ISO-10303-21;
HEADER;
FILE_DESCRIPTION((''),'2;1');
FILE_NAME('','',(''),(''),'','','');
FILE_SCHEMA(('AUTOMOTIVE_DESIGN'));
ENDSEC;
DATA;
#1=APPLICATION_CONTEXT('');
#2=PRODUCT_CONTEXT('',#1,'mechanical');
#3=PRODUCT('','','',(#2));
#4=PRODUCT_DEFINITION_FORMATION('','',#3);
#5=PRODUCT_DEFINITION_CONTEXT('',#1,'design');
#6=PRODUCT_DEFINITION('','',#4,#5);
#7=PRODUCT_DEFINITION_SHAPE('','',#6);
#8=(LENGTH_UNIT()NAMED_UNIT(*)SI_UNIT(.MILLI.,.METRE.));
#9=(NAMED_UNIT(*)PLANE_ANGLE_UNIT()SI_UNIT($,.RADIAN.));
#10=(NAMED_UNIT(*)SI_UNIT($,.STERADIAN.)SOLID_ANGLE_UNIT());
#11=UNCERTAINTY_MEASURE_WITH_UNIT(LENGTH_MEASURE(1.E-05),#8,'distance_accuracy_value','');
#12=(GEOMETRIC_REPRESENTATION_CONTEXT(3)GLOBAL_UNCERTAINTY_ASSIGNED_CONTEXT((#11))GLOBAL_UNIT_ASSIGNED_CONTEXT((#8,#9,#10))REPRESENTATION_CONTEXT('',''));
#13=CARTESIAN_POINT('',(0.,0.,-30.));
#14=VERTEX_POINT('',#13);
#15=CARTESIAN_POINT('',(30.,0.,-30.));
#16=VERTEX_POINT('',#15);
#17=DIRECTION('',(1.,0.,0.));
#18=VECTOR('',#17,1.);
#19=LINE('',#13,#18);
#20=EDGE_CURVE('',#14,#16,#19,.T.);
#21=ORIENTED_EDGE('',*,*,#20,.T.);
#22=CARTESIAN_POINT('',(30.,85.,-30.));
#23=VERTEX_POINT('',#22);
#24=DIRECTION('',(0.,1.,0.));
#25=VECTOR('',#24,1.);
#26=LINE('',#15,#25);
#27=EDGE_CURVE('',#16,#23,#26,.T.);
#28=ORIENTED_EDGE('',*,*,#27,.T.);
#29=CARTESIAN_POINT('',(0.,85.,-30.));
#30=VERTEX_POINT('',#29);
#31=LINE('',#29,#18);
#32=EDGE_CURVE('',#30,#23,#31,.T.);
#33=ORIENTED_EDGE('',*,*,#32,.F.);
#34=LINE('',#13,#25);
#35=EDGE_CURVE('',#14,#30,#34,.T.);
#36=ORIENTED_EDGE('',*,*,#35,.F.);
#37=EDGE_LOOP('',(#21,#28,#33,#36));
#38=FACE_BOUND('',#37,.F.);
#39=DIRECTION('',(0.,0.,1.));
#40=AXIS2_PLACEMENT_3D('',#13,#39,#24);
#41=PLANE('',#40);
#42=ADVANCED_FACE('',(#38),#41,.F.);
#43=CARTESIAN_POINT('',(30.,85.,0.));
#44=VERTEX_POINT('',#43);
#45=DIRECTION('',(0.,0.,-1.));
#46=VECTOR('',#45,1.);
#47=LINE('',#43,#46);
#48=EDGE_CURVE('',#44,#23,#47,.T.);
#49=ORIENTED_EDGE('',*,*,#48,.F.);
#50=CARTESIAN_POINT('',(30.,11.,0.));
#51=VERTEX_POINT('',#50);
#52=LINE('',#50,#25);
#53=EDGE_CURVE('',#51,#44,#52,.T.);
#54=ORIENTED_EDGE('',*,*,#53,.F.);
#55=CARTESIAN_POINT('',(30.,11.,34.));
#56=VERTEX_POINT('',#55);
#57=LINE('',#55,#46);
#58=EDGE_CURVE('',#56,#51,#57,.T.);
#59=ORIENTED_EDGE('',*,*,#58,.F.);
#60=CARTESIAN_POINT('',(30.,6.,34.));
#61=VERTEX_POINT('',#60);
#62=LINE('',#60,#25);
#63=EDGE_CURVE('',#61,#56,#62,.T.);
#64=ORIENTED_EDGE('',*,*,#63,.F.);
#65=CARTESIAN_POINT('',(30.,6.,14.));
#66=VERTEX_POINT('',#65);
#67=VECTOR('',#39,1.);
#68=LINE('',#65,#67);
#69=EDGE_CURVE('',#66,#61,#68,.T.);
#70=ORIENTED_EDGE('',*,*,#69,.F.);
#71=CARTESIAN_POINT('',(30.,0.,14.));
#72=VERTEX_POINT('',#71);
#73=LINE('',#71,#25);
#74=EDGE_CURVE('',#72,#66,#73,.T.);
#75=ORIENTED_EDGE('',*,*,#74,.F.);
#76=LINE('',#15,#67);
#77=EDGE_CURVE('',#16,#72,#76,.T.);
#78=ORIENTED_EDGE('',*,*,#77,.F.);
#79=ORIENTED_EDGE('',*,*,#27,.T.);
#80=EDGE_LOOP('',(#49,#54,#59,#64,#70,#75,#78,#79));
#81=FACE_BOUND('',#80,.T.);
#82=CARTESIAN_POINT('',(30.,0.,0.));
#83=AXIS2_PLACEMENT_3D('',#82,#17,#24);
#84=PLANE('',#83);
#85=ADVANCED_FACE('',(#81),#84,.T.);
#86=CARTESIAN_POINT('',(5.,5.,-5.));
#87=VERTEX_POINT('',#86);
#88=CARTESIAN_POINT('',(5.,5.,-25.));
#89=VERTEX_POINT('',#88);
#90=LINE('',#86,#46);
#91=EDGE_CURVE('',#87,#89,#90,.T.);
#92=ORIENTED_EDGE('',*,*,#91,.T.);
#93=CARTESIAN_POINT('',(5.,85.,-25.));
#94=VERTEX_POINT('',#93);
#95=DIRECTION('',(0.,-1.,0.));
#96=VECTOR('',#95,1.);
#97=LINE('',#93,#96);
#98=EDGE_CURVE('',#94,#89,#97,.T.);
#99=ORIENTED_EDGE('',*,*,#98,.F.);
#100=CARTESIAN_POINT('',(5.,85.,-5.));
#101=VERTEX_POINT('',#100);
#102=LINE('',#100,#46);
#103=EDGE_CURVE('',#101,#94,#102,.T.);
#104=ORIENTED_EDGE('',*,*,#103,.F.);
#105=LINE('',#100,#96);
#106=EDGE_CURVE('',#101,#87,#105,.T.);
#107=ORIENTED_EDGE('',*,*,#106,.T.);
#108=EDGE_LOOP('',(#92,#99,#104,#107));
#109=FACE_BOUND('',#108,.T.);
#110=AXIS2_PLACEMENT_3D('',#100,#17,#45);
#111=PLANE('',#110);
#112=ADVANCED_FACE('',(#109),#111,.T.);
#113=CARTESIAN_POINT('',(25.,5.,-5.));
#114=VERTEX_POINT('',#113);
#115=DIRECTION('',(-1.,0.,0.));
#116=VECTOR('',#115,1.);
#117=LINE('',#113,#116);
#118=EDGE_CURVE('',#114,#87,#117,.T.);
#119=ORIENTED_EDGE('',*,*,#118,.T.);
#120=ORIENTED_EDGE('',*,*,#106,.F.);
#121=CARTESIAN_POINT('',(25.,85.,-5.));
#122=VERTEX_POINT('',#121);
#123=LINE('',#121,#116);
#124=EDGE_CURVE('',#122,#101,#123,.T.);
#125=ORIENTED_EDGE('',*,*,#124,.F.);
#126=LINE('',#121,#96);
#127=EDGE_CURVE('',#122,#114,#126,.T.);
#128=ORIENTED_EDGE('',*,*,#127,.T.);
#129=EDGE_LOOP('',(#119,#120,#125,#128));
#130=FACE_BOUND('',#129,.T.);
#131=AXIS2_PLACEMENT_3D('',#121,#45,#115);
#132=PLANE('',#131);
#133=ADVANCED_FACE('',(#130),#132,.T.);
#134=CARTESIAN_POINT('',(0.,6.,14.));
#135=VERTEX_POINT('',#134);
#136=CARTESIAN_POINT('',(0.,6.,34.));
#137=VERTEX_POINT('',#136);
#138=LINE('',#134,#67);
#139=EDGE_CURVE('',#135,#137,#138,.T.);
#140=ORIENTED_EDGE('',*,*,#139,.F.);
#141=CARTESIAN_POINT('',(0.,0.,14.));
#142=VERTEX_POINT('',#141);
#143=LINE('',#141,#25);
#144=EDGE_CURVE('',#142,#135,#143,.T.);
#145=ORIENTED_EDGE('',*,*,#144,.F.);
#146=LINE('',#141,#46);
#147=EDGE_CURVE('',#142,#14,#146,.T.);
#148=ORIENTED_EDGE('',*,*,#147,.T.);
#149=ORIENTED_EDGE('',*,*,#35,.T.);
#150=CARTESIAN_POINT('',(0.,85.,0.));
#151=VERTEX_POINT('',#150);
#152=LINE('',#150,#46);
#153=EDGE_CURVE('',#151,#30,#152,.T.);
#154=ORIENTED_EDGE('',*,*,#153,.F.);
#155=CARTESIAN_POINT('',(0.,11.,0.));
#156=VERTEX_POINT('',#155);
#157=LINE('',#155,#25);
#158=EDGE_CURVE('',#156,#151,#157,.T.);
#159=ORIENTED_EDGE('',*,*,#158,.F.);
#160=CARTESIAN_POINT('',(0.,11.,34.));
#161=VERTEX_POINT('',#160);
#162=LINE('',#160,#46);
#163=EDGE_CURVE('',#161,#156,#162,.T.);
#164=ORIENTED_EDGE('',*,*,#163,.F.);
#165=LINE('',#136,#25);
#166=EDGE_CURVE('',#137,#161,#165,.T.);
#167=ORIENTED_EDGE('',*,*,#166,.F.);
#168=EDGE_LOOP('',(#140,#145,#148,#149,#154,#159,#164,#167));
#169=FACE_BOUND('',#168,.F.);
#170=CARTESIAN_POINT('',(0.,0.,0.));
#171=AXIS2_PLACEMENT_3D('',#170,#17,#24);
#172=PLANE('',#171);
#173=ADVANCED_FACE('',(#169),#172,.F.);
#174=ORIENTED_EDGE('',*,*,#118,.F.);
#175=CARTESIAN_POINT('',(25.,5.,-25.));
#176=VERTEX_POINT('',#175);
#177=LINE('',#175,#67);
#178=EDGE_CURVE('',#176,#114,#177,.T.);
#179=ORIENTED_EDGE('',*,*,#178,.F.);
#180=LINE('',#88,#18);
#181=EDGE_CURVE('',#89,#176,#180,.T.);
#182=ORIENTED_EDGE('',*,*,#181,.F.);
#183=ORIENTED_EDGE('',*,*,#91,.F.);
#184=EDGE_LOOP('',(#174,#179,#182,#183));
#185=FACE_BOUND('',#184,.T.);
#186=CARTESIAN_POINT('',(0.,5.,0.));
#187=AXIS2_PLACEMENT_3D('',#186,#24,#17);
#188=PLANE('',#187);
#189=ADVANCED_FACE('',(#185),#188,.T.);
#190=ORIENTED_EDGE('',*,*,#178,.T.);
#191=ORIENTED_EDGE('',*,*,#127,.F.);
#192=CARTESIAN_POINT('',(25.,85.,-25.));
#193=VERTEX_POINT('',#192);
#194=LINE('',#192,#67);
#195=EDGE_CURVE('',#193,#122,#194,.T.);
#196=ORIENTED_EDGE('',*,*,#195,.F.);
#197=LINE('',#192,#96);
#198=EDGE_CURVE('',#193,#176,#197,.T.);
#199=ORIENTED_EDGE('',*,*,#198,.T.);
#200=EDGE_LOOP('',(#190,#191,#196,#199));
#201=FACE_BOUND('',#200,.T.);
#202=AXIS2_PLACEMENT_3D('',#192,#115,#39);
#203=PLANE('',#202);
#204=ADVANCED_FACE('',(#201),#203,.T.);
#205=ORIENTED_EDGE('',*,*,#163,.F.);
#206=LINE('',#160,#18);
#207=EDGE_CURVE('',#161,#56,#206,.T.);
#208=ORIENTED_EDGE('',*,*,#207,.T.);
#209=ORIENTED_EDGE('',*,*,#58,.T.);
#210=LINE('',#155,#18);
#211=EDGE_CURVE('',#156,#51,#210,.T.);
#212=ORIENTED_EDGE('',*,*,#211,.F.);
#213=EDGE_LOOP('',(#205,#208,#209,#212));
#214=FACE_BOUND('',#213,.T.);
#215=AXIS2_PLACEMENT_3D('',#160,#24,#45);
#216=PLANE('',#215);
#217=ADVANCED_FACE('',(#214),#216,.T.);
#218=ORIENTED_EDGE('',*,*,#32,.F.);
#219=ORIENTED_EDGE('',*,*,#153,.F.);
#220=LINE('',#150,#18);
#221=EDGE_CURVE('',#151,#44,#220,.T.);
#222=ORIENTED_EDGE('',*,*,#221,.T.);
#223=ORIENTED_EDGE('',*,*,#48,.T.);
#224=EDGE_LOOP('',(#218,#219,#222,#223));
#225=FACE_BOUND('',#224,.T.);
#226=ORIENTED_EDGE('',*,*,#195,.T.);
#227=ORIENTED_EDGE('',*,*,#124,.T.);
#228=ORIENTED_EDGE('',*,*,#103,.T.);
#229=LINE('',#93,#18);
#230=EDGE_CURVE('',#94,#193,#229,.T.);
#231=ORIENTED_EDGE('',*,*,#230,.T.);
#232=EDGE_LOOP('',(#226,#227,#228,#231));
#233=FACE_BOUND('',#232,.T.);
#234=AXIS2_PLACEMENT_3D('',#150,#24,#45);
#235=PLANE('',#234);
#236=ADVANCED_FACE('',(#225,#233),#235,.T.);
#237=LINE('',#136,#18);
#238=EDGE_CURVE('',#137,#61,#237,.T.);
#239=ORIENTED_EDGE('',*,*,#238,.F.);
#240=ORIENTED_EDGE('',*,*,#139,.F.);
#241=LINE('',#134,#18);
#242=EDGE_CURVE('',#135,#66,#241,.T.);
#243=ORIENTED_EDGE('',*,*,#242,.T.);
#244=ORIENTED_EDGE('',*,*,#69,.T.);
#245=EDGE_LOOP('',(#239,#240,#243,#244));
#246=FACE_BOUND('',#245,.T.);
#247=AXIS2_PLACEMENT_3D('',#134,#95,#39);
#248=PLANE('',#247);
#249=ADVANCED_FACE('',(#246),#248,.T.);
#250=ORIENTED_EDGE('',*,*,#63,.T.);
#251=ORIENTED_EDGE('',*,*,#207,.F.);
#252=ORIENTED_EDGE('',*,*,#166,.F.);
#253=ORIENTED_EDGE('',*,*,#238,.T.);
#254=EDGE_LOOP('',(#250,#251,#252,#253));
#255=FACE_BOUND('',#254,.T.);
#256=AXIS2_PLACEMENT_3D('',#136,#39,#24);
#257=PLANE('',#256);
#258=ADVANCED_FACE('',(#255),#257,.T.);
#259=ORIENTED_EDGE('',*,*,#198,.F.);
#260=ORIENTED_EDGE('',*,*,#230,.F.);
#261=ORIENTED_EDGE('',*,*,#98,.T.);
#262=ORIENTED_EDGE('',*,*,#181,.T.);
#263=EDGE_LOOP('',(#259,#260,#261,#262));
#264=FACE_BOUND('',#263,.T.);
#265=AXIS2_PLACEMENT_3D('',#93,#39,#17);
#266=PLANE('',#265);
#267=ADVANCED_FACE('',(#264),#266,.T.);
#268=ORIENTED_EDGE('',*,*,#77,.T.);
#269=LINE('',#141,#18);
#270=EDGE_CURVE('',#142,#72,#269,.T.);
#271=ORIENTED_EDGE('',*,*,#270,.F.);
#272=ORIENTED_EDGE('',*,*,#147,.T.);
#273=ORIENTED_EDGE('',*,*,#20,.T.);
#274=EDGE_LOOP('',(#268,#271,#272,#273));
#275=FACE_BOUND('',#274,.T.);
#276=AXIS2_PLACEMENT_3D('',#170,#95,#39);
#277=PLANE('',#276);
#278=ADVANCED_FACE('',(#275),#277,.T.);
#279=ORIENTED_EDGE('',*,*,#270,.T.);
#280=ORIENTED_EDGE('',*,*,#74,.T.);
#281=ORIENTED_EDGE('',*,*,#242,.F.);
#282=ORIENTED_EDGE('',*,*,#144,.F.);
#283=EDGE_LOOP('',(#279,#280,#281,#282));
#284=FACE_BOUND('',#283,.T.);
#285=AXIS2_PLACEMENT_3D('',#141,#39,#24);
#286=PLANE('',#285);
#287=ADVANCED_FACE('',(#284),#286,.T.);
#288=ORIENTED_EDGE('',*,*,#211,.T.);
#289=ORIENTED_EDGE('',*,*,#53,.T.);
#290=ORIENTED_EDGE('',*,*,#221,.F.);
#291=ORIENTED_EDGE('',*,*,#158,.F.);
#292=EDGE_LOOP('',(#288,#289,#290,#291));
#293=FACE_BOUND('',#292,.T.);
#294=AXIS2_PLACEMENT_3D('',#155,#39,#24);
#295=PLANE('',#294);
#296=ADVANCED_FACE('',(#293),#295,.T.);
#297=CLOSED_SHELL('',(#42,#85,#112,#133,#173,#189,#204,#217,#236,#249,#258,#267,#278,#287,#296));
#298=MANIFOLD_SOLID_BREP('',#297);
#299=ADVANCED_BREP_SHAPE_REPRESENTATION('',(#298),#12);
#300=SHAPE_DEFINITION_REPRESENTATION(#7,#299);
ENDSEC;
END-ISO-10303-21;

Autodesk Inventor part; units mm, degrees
ref_plane "YZ Plane" through (0, 0, 0) normal (1, 0, 0) x (0, 1, 0)
ref_plane "XZ Plane" through (0, 0, 0) normal (0, 1, 0) x (-1, 0, 0)
ref_plane "XY Plane" through (0, 0, 0) normal (0, 0, 1) x (1, 0, 0)
sketch "Sketch1" plane through (0, 0, 0) normal (1, 0, 0) x (0, 1, 0)
  line L0 (0, 0) -> (0, -30)
  line L1 (11, 0) -> (30, 0) construction
  line L2 (0, -30) -> (85, -30)
  line L3 (11, 0) -> (85, 0)
  line L4 (85, 0) -> (85, -30)
  line L5 (0, 0) -> (0, 14)
  line L6 (11, 0) -> (14, 0) construction
  line L7 (0, 14) -> (6, 14)
  line L8 (6, 14) -> (6, 34)
  line L9 (6, 34) -> (11, 34)
  line L10 (11, 34) -> (11, 0)
  dimension "d0" = 30
  dimension "d2" = 85
  dimension "d4" = 14
  dimension "d6" = 6
  dimension "d7" = 20
  dimension "d8" = 5
  dimension "d9" = 34
extrude "Extrusion1" add sketch "Sketch1" along normal blind 30
sketch "Sketch2" plane through (0, 85, 0) normal (0, 1, 0) x (1, 0, 0)
  line L0 (5, 5) -> (5, 25)
  line L1 (5, 5) -> (25, 5) construction
  line L2 (5, 25) -> (25, 25)
  line L3 (25, 25) -> (25, 5)
  line L4 (25, 5) -> (5, 5)
  point P0 (0, 0)
  dimension "d13" = 20
  dimension "d14" = 90
  dimension "d15" = 20
  dimension "d16" = 90
  dimension "d17" = 20
  dimension "d18" = 90
  dimension "d19" = 20
  dimension "d20" = 90
extrude "Extrusion2" cut sketch "Sketch2" against normal blind 80
sketch "Sketch3" plane through (0, 0, 0) normal (-1, 0, 0) x (0, 0, 1)
  point P0 (0, 0)
properties part number "flexibler_standfuß_v0.4"
